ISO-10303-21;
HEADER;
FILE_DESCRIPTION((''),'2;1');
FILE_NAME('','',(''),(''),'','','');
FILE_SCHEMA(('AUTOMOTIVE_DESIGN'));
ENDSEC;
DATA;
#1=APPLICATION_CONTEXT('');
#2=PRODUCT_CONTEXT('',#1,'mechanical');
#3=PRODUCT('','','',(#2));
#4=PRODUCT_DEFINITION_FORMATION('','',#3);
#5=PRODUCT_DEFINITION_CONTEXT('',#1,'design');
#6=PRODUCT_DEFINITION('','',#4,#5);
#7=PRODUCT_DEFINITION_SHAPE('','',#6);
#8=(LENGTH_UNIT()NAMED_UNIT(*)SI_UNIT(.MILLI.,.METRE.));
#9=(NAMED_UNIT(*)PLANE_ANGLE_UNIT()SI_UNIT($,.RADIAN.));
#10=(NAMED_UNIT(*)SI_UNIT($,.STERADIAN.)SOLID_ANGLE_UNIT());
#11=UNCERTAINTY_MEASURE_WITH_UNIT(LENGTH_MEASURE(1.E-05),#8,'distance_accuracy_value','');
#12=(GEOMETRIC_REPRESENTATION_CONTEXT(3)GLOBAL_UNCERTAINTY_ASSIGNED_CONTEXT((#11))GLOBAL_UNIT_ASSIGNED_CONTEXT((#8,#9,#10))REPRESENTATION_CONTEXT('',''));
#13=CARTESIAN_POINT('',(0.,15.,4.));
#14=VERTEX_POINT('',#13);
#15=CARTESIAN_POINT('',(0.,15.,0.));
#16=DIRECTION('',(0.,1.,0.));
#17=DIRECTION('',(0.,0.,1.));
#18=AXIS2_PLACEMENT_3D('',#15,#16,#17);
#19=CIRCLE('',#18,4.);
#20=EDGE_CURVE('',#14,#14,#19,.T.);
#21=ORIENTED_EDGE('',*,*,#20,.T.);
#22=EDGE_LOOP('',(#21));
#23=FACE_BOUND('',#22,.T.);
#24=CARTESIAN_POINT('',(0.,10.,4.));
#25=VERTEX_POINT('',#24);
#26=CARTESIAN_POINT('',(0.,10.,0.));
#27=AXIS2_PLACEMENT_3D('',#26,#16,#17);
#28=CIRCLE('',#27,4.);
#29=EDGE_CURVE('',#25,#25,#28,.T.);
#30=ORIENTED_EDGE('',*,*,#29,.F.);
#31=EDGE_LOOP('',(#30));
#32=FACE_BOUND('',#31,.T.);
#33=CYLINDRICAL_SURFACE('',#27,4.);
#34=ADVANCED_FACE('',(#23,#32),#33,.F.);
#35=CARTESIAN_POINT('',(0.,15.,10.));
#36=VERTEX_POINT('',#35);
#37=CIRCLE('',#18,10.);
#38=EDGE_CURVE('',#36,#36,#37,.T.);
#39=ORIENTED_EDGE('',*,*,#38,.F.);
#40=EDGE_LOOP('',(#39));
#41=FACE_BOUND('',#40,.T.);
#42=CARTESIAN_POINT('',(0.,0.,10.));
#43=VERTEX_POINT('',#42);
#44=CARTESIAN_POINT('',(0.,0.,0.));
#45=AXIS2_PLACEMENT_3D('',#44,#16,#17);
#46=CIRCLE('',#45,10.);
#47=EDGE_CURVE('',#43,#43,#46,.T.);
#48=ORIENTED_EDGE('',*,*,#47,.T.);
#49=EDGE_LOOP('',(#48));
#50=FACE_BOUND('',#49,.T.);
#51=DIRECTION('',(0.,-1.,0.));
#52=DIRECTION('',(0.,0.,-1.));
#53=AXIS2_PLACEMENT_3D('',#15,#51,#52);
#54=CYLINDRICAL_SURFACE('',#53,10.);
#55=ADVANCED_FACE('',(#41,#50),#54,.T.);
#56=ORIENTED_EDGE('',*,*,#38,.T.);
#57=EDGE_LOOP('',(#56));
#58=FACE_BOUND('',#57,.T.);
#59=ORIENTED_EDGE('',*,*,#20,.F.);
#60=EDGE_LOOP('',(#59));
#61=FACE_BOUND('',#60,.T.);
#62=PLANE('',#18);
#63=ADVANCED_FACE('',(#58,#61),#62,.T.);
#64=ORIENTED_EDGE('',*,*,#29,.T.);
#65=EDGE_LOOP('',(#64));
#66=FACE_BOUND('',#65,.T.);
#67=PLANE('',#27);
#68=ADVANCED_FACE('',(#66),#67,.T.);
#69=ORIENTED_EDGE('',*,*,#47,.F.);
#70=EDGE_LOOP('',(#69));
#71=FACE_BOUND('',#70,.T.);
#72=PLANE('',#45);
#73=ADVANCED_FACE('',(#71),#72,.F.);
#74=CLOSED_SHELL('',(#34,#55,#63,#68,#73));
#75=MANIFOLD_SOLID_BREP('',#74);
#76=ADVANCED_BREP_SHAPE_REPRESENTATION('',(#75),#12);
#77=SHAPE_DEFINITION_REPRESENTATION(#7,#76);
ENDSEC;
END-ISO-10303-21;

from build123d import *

# Parameters (mm, degrees)
SKETCH1_R           = 10
BOSS_EXTRUDE1_DEPTH = 15
SKETCH2_R           = 4
CUT_EXTRUDE1_DEPTH  = 5


with BuildPart() as part:
    # Sketch1 → Boss-Extrude1 (new body)
    with BuildSketch(Plane(origin=(0, 0, 0), x_dir=(1, 0, 0), z_dir=(0, 1, 0))):
        with Locations(Location((0, 0, 0), (0, 0, 270))):
            Circle(SKETCH1_R)
    extrude(amount=BOSS_EXTRUDE1_DEPTH)

    # Sketch2 → Cut-Extrude1 (cut)
    with BuildSketch(Plane(origin=(0, 15, 0), x_dir=(1, 0, 0), z_dir=(0, 1, 0))):
        with Locations(Location((0, 0, 0), (0, 0, 270))):
            Circle(SKETCH2_R)
    extrude(amount=-CUT_EXTRUDE1_DEPTH, mode=Mode.SUBTRACT)


solid = part.part
